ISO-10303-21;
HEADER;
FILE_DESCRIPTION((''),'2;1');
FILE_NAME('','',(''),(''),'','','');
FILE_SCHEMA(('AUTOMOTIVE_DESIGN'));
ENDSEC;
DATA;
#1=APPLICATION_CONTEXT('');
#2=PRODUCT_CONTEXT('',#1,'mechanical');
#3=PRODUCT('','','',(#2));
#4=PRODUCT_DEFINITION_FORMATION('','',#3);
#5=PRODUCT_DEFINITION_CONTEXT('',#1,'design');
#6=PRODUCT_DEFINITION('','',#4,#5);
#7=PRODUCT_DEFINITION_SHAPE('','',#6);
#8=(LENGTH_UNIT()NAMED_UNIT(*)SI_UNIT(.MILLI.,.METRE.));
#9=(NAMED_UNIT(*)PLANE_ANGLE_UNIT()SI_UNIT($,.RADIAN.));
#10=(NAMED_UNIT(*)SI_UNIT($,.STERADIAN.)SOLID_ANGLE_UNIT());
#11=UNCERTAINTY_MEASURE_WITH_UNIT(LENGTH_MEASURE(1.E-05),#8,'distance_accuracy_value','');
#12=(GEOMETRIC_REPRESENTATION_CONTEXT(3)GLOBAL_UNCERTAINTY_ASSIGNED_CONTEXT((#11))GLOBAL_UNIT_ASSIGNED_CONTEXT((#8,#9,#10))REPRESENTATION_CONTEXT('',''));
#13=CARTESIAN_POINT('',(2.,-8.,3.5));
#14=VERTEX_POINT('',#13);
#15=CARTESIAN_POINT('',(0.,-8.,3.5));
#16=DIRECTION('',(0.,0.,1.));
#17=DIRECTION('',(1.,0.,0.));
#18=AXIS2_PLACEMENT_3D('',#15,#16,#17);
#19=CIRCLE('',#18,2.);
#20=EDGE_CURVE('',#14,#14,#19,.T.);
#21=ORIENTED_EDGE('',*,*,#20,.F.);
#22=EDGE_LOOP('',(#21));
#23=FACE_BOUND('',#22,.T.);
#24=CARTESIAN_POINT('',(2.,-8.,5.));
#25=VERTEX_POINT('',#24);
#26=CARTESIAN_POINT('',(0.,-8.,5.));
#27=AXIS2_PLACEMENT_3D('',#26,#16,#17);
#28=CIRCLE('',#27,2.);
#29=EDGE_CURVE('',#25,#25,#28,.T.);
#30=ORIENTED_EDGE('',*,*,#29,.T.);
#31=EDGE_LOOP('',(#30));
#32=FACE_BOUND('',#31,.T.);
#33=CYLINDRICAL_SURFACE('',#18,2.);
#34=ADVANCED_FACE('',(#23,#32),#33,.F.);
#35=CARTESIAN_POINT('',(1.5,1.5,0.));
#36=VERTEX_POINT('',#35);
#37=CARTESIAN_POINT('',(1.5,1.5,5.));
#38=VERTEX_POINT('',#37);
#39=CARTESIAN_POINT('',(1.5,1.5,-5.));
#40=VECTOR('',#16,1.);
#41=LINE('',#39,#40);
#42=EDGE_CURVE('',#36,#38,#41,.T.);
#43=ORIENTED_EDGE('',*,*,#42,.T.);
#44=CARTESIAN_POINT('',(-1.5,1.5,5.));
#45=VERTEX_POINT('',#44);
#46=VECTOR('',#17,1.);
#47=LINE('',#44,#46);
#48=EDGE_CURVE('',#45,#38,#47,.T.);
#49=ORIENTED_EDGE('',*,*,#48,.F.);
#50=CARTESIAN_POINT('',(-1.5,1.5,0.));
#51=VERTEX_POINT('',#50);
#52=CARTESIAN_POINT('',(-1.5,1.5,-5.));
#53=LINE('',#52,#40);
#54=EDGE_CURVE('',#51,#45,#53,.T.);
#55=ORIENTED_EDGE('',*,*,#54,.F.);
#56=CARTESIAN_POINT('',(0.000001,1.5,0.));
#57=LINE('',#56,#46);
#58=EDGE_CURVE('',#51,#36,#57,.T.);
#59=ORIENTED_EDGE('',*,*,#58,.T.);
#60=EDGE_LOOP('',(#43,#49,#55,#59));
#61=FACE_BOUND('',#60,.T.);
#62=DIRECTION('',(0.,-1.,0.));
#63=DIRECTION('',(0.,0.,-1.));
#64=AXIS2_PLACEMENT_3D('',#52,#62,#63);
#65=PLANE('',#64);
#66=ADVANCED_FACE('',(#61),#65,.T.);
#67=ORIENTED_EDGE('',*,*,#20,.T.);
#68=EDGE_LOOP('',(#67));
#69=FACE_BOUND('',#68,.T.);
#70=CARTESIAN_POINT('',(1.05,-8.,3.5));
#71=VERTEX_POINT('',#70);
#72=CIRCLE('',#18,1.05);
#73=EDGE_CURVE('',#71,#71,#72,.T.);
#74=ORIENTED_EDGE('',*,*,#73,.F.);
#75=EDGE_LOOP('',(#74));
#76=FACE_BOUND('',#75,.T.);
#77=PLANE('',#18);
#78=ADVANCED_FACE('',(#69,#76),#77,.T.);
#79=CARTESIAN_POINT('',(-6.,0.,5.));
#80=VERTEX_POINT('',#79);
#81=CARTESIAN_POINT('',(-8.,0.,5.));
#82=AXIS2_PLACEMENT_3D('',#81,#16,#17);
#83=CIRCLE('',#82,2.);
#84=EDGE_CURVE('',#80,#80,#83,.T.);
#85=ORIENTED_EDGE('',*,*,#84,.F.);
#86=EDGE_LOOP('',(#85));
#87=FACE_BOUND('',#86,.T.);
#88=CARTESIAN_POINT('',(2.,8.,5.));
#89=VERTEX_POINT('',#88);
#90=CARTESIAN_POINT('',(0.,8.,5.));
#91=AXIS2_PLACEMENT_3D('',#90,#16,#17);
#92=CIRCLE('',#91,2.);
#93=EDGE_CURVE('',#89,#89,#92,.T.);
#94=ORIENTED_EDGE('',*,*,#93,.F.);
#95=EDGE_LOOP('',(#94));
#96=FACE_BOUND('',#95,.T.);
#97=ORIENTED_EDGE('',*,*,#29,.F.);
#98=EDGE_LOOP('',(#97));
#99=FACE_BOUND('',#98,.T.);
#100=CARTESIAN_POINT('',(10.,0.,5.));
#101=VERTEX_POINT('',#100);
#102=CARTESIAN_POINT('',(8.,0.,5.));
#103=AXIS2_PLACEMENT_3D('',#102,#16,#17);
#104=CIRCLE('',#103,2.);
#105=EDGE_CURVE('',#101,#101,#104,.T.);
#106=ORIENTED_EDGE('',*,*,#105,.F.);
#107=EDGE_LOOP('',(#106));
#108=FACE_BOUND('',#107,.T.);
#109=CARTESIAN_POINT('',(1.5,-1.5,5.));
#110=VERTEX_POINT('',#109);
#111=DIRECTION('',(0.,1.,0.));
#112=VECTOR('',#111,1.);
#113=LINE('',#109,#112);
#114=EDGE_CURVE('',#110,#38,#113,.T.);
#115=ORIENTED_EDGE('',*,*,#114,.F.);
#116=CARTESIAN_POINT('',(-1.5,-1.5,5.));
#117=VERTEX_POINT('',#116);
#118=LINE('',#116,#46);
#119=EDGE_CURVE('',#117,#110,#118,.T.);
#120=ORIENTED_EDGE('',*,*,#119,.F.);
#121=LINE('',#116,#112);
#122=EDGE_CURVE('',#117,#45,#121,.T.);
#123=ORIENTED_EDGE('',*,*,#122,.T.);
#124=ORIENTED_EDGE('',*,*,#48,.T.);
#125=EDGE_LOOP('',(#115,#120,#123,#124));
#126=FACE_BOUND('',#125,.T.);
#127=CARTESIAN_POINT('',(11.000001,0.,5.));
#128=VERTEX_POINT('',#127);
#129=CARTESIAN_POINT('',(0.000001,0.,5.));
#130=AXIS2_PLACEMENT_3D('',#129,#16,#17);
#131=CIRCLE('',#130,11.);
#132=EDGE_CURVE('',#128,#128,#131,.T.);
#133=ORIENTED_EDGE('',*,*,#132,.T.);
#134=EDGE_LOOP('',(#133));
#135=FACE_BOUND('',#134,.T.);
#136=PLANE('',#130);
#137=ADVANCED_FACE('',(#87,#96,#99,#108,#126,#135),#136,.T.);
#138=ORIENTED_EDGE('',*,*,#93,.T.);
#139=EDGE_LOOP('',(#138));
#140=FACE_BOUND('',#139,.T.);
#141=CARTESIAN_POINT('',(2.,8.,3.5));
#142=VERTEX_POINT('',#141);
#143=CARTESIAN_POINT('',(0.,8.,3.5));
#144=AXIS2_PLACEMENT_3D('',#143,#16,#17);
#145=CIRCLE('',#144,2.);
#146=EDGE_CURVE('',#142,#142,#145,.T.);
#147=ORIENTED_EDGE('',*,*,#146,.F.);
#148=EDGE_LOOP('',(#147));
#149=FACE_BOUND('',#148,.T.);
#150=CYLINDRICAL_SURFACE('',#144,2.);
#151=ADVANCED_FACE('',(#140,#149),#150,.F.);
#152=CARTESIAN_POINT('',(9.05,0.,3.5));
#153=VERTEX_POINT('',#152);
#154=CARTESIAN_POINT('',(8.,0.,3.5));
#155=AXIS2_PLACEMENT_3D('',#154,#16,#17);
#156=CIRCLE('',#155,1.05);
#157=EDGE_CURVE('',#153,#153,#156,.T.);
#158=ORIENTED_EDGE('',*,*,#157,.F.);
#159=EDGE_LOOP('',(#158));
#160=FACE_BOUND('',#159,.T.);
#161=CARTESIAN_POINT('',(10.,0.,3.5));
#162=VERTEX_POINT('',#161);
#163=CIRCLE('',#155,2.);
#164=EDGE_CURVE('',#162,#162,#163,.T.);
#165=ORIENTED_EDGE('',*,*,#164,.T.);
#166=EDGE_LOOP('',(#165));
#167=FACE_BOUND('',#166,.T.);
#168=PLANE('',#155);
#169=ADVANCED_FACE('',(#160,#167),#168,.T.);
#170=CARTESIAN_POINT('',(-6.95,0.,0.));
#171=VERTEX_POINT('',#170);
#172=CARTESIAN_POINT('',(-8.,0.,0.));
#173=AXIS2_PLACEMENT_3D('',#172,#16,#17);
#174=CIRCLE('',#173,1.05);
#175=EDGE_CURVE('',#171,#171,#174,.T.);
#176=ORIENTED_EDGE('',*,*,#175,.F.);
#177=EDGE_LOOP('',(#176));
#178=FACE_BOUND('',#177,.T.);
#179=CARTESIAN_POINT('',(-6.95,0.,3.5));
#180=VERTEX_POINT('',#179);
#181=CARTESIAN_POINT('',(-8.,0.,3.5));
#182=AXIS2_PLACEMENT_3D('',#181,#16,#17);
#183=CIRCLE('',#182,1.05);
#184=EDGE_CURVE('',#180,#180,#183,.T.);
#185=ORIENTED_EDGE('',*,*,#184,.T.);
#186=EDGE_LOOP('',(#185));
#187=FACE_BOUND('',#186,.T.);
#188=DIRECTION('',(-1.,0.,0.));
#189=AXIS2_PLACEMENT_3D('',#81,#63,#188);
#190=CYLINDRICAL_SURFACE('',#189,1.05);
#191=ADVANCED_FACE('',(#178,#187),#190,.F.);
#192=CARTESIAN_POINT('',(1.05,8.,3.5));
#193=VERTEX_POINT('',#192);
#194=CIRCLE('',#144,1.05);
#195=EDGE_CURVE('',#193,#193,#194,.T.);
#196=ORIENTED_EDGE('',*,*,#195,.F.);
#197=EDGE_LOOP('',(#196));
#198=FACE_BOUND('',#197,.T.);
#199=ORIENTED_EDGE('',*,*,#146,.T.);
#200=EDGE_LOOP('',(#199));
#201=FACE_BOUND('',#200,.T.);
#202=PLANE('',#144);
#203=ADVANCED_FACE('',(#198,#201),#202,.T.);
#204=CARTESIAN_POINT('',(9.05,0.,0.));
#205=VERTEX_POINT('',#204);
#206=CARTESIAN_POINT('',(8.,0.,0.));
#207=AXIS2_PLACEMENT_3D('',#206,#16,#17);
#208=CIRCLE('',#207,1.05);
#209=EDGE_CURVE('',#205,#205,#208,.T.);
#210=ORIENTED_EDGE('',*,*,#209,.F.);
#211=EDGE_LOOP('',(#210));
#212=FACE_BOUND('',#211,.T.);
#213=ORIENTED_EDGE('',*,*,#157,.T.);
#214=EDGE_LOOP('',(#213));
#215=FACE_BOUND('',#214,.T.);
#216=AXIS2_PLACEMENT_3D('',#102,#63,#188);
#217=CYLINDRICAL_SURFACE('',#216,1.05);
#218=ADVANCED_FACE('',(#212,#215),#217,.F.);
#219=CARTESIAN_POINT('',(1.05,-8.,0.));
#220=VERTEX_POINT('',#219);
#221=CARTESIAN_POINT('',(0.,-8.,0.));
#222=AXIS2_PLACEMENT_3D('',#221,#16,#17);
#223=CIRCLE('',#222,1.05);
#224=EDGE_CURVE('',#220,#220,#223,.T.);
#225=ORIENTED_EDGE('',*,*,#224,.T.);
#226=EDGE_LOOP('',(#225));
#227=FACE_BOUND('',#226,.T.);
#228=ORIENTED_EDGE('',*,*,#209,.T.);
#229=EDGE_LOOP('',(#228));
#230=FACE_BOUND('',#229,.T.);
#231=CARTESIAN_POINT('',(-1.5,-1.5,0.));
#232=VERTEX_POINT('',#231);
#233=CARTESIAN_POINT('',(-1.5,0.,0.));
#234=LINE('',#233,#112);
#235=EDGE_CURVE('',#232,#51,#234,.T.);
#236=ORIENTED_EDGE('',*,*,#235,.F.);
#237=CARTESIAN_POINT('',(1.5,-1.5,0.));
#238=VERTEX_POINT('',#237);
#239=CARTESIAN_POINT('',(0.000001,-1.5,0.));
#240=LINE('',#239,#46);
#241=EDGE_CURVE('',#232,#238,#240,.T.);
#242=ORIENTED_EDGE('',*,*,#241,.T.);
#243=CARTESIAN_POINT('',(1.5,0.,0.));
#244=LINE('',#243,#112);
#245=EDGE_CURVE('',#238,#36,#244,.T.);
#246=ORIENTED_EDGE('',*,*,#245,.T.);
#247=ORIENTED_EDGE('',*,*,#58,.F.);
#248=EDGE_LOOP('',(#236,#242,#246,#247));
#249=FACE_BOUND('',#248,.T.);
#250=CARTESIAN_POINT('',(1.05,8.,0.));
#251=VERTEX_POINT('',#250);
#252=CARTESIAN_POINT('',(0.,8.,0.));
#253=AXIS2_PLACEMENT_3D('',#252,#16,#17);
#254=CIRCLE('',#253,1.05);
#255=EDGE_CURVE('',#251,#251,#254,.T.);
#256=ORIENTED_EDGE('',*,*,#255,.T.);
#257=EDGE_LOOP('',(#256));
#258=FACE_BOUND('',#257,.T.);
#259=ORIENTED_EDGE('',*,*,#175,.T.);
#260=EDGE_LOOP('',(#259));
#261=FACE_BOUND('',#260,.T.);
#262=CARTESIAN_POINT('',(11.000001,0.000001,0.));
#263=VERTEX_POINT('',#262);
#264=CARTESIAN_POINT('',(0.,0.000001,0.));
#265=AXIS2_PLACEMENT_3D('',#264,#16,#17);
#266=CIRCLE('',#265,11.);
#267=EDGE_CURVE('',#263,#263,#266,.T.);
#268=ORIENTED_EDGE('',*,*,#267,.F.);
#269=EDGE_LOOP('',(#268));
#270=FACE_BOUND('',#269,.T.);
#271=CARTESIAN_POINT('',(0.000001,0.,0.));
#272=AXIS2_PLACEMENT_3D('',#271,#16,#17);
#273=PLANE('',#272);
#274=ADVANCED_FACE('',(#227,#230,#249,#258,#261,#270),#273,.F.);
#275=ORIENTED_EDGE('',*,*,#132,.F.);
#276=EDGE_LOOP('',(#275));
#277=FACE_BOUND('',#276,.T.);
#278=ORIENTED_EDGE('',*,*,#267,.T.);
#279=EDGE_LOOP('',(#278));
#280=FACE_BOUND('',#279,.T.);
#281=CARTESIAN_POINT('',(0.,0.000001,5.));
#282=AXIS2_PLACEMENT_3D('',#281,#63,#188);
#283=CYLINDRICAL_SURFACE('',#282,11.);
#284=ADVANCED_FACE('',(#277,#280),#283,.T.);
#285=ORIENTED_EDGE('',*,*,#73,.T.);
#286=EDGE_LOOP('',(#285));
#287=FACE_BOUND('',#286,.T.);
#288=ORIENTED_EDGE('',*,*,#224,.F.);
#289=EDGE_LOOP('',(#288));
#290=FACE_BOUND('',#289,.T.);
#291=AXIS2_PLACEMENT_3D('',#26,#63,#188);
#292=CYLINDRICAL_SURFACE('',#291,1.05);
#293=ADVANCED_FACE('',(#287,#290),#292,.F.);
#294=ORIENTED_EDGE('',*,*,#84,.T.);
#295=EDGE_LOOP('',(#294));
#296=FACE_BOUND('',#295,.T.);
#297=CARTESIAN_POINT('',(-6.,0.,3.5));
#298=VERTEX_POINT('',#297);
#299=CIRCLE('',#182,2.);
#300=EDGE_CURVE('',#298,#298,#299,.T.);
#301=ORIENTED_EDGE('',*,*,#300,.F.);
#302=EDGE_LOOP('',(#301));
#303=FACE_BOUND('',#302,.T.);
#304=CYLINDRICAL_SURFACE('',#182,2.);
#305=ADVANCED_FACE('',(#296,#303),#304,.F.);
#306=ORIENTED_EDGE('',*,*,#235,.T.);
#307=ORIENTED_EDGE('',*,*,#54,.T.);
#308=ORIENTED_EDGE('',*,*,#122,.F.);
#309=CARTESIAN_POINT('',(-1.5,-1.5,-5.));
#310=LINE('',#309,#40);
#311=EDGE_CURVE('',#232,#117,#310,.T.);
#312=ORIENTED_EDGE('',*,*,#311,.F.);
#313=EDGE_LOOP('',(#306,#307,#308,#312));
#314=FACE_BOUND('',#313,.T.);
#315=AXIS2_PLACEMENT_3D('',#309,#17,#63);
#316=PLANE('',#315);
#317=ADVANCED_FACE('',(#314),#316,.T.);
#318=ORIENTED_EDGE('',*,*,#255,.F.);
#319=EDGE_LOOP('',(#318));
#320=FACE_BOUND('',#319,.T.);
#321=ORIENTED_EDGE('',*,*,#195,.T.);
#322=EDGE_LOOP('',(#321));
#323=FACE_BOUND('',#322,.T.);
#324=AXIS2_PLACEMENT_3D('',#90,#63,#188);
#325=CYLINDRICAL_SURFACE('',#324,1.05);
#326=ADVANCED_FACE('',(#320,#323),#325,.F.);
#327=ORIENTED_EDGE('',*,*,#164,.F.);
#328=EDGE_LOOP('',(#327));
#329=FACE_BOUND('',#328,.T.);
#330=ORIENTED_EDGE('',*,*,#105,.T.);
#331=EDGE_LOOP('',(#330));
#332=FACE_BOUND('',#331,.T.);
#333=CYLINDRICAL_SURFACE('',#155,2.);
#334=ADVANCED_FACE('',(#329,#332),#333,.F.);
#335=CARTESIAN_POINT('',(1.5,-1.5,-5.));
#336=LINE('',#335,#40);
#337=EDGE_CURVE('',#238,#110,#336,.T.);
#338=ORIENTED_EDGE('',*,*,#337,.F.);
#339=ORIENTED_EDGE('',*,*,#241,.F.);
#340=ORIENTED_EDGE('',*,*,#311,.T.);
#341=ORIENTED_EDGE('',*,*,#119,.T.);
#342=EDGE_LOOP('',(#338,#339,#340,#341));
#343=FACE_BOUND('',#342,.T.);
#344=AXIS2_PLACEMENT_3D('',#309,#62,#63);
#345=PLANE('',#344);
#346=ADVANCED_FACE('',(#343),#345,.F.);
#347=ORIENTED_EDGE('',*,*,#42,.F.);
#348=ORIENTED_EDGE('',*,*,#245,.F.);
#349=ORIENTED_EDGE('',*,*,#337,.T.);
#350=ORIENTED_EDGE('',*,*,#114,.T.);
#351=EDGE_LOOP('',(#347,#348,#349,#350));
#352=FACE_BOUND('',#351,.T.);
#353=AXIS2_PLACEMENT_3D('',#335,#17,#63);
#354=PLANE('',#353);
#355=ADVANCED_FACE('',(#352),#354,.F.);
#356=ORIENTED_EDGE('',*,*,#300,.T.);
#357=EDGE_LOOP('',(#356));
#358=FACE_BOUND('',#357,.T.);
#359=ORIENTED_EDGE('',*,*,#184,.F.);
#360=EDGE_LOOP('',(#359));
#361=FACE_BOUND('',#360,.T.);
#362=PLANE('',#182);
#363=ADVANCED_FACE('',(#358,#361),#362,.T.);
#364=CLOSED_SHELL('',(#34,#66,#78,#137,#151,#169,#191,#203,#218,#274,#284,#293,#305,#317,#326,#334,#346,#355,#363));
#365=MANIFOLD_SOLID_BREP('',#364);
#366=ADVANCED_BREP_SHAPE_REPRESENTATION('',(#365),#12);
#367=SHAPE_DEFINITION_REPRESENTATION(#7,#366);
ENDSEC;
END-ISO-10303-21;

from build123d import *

# Parameters (mm, degrees)
BOSS_EXTRUDE1_DEPTH = 5
SKETCH5_R           = 2
CUT_EXTRUDE1_DEPTH  = 1.5
SKETCH2_W           = 3
SKETCH2_H           = 3
CUT_EXTRUDE2_DEPTH  = 10


with BuildPart() as part:
    # Sketch1 → Boss-Extrude1 (new body)
    with BuildSketch(Plane.XY):
        with BuildLine():
            ThreePointArc((-10.997222353, 0.247207602), (-0.699194891, -10.977755935), (10.939721705, -1.149999502))
            ThreePointArc((10.939721705, -1.149999502), (10.984920466, -0.575788859), (11.000000502, 4.98e-07))
            ThreePointArc((11.000000502, 4.98e-07), (10.991774906, 0.425318543), (10.967110422, 0.850000498))
            ThreePointArc((10.967110422, 0.850000498), (-0.301772264, 10.995860878), (-10.997222353, 0.247207602))
        make_face()
        with BuildLine():
            ThreePointArc((4.98e-07, -9.049999502), (1.050000497, -7.999999502), (4.96e-07, -6.949999502))
            ThreePointArc((4.96e-07, -6.949999502), (-1.049999502, -7.999999503), (4.98e-07, -9.049999502))
        make_face(mode=Mode.SUBTRACT)
        with BuildLine():
            ThreePointArc((8.000000496, 1.050000498), (6.950000497, 4.97e-07), (8.000000498, -1.049999502))
            ThreePointArc((8.000000498, -1.049999502), (9.050000498, 4.98e-07), (8.000000496, 1.050000498))
        make_face(mode=Mode.SUBTRACT)
        with BuildLine():
            ThreePointArc((4.96e-07, 9.050000498), (-1.049999503, 8.000000497), (4.98e-07, 6.950000498))
            ThreePointArc((4.98e-07, 6.950000498), (1.050000498, 8.000000498), (4.96e-07, 9.050000498))
        make_face(mode=Mode.SUBTRACT)
        with BuildLine():
            ThreePointArc((-9.049999498, -9.4808e-05), (-8.742427926, -0.742495317), (-7.999999502, -1.049999502))
            ThreePointArc((-7.999999502, -1.049999502), (-6.949999502, 4.95e-07), (-7.999999497, 1.050000498))
            ThreePointArc((-7.999999497, 1.050000498), (-8.742495315, 0.742428924), (-9.049999498, -9.4808e-05))
        make_face(mode=Mode.SUBTRACT)
    extrude(amount=BOSS_EXTRUDE1_DEPTH)

    # Sketch5 → Cut-Extrude1 (cut)
    with BuildSketch(Plane.XY.offset(5)):
        with Locations((8.000000497, 4.98e-07)):
            Circle(SKETCH5_R)
        with Locations((4.97e-07, -7.999999502)):
            Circle(SKETCH5_R)
        with Locations((-7.999999502, 4.98e-07)):
            Circle(SKETCH5_R)
        with Locations((4.97e-07, 8.000000498)):
            Circle(SKETCH5_R)
    extrude(amount=-CUT_EXTRUDE1_DEPTH, mode=Mode.SUBTRACT)

    # Sketch2 → Cut-Extrude2 (cut)
    with BuildSketch(Plane.XY.offset(5)):
        Rectangle(SKETCH2_W, SKETCH2_H)
    extrude(amount=-CUT_EXTRUDE2_DEPTH, mode=Mode.SUBTRACT)


solid = part.part
